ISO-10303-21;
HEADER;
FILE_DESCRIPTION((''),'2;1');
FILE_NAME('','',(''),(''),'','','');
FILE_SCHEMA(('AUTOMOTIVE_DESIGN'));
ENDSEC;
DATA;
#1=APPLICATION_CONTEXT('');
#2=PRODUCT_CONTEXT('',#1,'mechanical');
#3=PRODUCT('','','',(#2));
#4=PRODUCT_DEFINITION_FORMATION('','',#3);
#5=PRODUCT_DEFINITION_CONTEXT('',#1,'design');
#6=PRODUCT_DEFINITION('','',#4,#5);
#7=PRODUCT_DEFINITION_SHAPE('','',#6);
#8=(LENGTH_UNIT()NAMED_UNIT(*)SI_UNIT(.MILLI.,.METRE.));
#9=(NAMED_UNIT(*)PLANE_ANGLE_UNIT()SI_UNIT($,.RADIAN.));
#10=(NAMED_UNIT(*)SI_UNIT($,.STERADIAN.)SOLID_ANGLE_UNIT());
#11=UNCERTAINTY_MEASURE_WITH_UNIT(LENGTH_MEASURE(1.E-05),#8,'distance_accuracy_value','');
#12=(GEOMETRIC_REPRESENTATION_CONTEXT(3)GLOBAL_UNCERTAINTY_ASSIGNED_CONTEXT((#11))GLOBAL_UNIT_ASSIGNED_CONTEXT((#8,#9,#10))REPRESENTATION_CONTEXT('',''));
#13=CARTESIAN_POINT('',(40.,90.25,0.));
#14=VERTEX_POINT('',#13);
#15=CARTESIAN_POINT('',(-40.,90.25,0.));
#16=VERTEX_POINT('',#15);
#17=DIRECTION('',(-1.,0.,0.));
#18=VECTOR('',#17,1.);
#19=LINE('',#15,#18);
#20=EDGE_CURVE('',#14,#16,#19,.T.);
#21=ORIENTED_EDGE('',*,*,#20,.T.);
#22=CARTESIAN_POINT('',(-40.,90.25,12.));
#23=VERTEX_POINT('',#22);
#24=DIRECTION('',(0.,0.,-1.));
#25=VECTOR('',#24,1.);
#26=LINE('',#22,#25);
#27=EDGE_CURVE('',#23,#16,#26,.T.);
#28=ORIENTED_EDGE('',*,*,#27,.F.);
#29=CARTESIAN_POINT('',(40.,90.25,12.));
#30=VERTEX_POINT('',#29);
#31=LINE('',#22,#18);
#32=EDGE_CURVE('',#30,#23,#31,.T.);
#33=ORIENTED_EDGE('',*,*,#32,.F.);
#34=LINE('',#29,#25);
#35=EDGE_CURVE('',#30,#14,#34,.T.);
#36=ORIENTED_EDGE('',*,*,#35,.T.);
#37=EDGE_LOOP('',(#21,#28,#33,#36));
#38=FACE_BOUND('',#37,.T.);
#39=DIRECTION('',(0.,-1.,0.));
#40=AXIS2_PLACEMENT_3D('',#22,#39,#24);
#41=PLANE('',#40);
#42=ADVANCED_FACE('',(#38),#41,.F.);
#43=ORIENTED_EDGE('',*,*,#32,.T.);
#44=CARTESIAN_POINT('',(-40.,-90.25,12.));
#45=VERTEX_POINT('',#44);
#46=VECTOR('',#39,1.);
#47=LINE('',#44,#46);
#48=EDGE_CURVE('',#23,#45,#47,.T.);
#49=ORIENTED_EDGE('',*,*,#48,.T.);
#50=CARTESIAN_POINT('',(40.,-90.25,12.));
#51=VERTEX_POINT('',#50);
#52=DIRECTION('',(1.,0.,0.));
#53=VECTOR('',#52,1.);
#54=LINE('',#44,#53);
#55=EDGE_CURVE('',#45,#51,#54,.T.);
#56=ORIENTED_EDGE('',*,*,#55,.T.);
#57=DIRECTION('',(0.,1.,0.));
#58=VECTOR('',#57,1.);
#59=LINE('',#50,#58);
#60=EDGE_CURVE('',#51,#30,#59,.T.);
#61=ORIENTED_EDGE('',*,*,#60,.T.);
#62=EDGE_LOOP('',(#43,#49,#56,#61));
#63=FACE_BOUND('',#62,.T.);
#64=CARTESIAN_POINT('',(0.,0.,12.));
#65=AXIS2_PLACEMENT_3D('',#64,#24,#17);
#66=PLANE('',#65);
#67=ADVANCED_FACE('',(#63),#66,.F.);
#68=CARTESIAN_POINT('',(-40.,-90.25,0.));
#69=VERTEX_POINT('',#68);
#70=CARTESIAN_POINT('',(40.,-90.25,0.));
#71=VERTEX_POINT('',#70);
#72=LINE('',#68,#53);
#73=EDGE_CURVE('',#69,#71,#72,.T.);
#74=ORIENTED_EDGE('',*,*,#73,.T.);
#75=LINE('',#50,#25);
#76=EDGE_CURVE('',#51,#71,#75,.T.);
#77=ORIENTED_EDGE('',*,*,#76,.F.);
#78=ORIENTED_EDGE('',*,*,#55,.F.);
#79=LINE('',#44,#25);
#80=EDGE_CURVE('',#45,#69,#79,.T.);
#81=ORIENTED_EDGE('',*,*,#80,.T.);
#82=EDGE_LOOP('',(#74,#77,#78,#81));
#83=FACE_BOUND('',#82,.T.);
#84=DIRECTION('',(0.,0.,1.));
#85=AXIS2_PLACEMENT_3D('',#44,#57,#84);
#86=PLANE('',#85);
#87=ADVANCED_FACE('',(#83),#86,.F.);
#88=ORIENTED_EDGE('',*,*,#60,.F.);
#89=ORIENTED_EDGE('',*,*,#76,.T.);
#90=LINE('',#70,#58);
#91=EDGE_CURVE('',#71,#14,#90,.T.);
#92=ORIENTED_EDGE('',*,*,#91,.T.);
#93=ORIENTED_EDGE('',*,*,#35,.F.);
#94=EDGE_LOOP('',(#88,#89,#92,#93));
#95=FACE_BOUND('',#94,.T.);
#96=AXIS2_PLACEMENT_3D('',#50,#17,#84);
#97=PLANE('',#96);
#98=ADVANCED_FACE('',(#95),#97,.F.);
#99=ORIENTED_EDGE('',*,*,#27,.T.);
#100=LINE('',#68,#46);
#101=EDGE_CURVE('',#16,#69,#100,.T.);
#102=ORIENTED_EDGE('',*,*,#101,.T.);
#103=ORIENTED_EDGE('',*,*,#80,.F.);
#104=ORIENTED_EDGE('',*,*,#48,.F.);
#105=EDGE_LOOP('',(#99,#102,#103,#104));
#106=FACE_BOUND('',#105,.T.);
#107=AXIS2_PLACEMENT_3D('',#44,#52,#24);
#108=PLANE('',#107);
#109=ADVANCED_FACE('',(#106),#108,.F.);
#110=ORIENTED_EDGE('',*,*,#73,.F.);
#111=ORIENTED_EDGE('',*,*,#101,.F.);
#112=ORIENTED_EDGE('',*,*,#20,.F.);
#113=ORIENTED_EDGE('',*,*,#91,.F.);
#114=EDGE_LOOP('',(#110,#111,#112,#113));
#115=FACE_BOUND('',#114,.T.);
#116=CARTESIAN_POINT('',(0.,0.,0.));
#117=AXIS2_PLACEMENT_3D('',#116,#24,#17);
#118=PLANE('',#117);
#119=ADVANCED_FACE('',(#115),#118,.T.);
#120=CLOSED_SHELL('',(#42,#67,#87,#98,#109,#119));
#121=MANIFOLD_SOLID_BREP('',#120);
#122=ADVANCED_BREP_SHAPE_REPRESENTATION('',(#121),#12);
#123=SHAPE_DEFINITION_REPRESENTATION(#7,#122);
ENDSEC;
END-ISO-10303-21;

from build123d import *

# Parameters (mm, degrees)
CROQUIS1_W              = 80
CROQUIS1_H              = 180.5
SALIENTE_EXTRUIR1_DEPTH = 12


with BuildPart() as part:
    # Croquis1 → Saliente-Extruir1 (new body)
    with BuildSketch(Plane.XY):
        Rectangle(CROQUIS1_W, CROQUIS1_H)
    extrude(amount=SALIENTE_EXTRUIR1_DEPTH)


solid = part.part
